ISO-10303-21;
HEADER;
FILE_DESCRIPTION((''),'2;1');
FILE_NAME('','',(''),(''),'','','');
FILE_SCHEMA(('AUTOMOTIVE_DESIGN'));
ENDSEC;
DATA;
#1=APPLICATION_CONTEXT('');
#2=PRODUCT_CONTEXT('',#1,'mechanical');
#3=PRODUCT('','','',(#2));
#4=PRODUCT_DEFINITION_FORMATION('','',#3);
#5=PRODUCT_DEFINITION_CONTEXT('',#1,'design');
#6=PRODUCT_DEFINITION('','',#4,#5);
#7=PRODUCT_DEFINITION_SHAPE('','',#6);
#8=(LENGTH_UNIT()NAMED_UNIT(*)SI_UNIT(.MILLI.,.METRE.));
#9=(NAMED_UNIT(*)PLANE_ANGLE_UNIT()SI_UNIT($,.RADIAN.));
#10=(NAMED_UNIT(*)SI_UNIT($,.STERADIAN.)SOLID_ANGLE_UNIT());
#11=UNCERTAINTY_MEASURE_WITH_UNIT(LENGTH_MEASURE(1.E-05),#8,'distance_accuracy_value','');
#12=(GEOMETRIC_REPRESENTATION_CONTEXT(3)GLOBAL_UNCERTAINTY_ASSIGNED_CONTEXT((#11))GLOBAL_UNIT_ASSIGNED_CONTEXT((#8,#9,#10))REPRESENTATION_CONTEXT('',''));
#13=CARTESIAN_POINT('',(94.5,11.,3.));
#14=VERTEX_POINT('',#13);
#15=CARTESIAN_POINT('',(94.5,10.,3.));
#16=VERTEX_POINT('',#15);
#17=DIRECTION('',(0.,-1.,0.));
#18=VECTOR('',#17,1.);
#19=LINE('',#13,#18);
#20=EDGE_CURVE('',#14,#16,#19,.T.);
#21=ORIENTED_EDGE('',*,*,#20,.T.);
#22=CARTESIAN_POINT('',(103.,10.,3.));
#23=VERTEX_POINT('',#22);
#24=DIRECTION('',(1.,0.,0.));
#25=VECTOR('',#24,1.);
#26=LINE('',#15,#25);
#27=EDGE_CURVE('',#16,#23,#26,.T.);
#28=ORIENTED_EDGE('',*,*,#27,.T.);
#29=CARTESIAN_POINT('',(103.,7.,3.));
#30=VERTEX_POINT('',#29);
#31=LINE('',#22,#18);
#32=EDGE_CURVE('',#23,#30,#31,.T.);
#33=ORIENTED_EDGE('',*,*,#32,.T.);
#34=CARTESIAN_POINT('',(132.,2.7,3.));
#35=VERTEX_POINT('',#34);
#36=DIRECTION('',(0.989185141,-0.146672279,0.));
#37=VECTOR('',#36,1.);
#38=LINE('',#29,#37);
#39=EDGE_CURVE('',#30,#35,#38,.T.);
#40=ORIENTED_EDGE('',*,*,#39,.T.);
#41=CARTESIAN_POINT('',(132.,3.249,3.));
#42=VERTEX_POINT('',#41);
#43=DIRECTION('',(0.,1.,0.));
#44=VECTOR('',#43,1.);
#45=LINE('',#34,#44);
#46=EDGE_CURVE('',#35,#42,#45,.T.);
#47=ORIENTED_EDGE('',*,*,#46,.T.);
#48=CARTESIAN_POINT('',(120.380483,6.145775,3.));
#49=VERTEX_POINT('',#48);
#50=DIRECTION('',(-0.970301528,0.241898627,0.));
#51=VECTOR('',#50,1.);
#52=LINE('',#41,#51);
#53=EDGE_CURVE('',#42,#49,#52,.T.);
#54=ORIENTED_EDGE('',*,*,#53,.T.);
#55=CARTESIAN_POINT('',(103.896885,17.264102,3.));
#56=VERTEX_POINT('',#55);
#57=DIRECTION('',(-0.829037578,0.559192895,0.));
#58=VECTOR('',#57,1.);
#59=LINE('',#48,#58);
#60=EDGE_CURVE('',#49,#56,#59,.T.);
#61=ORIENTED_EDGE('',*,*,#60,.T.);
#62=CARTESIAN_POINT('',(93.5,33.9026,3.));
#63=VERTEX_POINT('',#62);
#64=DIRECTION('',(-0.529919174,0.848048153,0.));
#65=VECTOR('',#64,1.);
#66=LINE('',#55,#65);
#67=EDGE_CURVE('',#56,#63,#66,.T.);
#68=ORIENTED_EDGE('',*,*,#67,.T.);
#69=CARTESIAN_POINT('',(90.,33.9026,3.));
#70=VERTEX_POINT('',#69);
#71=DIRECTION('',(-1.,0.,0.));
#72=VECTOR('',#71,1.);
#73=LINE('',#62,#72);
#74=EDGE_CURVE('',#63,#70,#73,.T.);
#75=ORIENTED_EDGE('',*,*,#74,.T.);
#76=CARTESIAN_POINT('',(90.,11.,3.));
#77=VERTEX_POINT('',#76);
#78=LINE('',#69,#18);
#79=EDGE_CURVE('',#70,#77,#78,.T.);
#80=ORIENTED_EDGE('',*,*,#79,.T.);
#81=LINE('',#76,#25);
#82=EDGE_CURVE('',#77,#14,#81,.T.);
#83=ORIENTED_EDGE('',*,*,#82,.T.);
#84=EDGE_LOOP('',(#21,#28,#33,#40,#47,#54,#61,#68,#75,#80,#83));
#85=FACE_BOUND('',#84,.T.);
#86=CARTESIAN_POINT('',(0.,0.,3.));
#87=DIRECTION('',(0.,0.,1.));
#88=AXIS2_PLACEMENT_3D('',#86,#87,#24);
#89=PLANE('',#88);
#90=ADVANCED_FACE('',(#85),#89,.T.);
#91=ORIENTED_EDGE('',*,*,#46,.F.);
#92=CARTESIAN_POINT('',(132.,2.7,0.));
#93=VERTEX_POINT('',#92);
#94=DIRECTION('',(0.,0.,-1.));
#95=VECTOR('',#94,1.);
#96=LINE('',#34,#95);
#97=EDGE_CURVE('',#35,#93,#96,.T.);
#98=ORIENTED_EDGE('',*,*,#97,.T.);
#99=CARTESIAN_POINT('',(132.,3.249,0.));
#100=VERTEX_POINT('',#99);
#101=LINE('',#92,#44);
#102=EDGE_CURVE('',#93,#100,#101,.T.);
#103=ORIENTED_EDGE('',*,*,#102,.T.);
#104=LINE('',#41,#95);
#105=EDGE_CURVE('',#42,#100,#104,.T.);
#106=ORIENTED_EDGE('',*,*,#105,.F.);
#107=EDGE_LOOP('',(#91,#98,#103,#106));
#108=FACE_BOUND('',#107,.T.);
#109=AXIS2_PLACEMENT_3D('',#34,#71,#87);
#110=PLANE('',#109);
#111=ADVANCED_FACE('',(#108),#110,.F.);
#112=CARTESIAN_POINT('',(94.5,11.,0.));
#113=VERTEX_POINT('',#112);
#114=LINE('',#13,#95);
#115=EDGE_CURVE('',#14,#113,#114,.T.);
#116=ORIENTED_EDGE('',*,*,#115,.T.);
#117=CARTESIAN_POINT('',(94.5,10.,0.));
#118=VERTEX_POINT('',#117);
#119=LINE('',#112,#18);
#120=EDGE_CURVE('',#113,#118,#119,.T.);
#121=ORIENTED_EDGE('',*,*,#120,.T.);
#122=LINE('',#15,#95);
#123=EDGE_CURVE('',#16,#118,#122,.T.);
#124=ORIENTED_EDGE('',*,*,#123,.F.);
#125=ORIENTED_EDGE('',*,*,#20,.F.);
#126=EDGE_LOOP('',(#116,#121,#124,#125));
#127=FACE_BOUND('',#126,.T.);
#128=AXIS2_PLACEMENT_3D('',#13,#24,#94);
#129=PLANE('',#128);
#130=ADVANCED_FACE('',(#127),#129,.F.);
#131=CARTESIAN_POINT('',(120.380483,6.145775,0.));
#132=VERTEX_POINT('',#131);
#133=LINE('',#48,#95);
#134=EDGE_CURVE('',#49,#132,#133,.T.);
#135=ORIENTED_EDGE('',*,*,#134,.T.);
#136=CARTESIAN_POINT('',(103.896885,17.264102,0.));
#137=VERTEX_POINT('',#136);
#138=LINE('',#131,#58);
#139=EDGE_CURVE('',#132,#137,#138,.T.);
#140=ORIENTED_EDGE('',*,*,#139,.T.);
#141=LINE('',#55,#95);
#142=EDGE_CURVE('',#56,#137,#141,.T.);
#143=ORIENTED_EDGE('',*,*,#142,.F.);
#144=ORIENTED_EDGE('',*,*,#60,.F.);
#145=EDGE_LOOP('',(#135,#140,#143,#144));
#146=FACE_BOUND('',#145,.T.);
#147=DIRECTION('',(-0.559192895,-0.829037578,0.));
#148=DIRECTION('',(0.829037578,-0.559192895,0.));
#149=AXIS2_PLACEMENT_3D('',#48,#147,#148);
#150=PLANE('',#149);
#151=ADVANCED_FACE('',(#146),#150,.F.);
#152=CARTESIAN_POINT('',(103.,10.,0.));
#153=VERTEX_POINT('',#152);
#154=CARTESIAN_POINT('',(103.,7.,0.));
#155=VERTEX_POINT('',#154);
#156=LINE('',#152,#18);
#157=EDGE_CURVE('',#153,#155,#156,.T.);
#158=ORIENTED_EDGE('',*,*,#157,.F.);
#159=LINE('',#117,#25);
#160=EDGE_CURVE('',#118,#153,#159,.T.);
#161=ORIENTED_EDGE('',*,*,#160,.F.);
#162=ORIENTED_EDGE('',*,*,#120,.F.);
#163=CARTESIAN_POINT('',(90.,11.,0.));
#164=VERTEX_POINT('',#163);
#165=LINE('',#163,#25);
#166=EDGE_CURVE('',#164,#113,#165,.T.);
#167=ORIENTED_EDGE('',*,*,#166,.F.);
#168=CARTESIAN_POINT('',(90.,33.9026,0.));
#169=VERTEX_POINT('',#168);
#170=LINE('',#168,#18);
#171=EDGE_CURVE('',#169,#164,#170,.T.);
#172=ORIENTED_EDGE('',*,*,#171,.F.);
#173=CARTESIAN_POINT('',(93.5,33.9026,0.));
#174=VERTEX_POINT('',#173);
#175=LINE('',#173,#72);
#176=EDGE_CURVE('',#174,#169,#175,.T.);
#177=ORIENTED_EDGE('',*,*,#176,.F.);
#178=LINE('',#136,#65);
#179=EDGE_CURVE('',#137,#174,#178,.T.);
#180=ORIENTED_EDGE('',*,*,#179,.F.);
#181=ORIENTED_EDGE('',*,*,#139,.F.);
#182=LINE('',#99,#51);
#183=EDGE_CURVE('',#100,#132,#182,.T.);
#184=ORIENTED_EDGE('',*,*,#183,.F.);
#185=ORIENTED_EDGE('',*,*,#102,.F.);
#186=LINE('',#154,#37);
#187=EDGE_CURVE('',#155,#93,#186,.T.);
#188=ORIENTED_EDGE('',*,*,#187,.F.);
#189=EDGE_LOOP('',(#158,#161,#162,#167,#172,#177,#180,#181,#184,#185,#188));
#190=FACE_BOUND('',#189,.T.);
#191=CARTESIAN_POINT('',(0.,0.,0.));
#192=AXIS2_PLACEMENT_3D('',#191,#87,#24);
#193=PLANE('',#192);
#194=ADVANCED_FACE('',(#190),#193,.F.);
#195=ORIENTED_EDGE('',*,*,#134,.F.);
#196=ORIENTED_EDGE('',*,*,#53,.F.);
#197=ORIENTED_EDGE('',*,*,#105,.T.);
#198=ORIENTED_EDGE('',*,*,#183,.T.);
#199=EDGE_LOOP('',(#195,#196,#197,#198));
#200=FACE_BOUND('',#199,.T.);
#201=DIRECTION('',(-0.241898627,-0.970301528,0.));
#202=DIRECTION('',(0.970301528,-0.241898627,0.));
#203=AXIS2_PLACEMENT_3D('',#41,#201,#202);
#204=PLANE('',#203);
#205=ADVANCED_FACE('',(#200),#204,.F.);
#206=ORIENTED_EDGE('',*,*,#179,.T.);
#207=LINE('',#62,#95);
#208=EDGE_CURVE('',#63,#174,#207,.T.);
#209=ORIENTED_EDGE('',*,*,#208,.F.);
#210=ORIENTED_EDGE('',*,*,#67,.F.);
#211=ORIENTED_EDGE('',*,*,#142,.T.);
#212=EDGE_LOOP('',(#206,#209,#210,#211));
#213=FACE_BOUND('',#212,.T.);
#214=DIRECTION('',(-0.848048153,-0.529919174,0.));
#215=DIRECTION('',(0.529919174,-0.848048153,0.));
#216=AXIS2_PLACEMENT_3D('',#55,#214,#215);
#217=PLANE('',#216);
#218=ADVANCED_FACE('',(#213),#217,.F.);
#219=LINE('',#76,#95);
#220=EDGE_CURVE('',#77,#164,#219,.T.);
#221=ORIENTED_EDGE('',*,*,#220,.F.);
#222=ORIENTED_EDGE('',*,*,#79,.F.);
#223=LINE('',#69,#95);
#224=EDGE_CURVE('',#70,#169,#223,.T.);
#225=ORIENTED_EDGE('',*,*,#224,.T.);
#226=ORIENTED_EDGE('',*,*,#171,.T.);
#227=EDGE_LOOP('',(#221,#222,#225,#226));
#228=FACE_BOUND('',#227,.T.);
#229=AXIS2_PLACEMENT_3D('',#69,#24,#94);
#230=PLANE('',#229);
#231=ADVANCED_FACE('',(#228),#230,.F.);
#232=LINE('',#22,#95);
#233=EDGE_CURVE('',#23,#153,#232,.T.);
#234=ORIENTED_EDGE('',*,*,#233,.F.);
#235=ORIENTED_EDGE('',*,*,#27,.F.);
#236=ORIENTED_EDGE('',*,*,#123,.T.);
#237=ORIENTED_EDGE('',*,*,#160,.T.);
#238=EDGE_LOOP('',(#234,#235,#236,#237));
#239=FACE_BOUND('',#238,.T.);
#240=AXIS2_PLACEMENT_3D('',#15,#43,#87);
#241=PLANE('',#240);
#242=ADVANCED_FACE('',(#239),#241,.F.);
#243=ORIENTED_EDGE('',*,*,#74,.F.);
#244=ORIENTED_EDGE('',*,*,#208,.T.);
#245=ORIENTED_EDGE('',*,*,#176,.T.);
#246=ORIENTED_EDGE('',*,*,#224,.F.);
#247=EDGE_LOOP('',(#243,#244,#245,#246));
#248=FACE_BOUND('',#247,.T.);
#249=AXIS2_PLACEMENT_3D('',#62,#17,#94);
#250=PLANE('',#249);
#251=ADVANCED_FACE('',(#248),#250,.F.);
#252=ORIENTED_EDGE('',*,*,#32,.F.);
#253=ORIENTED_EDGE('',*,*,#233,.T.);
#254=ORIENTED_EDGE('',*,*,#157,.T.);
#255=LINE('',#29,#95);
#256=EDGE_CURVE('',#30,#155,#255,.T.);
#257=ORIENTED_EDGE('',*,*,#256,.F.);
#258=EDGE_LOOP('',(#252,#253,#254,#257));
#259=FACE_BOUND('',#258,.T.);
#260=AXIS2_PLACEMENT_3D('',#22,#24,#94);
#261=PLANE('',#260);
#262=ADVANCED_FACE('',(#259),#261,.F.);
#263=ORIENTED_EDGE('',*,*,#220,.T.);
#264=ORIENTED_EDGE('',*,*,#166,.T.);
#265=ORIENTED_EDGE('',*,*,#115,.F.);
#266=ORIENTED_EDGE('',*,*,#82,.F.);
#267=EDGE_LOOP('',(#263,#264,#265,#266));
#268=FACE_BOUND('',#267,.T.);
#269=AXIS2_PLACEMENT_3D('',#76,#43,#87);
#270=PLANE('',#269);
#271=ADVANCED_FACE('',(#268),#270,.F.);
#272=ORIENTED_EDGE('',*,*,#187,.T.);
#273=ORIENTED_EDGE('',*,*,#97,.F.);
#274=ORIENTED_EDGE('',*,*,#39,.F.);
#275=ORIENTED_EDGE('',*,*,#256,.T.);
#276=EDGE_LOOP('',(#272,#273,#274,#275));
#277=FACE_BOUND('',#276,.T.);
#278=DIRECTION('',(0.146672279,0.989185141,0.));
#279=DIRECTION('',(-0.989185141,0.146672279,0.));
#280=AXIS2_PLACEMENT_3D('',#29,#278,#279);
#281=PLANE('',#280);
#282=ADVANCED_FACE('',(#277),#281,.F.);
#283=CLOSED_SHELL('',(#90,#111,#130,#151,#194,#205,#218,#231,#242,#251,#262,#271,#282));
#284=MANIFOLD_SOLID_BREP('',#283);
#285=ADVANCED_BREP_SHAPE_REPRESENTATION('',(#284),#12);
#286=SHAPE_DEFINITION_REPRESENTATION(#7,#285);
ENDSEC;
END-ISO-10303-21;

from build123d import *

# Parameters (mm, degrees)
SEAT_AGAINST_SCOOP_AND_FLOOR_DEPTH = 3


with BuildPart() as part:
    # Seat against scoop and floor profile → Seat against scoop and floor (new body)
    with BuildSketch(Plane.XY):
        Polygon((94.5, 10), (103, 10), (103, 7), (132, 2.7), (132, 3.249), (120.380483, 6.145775), (103.896885, 17.264102), (93.5, 33.9026), (90, 33.9026), (90, 11), (94.5, 11), align=None)
    extrude(amount=SEAT_AGAINST_SCOOP_AND_FLOOR_DEPTH)


solid = part.part
